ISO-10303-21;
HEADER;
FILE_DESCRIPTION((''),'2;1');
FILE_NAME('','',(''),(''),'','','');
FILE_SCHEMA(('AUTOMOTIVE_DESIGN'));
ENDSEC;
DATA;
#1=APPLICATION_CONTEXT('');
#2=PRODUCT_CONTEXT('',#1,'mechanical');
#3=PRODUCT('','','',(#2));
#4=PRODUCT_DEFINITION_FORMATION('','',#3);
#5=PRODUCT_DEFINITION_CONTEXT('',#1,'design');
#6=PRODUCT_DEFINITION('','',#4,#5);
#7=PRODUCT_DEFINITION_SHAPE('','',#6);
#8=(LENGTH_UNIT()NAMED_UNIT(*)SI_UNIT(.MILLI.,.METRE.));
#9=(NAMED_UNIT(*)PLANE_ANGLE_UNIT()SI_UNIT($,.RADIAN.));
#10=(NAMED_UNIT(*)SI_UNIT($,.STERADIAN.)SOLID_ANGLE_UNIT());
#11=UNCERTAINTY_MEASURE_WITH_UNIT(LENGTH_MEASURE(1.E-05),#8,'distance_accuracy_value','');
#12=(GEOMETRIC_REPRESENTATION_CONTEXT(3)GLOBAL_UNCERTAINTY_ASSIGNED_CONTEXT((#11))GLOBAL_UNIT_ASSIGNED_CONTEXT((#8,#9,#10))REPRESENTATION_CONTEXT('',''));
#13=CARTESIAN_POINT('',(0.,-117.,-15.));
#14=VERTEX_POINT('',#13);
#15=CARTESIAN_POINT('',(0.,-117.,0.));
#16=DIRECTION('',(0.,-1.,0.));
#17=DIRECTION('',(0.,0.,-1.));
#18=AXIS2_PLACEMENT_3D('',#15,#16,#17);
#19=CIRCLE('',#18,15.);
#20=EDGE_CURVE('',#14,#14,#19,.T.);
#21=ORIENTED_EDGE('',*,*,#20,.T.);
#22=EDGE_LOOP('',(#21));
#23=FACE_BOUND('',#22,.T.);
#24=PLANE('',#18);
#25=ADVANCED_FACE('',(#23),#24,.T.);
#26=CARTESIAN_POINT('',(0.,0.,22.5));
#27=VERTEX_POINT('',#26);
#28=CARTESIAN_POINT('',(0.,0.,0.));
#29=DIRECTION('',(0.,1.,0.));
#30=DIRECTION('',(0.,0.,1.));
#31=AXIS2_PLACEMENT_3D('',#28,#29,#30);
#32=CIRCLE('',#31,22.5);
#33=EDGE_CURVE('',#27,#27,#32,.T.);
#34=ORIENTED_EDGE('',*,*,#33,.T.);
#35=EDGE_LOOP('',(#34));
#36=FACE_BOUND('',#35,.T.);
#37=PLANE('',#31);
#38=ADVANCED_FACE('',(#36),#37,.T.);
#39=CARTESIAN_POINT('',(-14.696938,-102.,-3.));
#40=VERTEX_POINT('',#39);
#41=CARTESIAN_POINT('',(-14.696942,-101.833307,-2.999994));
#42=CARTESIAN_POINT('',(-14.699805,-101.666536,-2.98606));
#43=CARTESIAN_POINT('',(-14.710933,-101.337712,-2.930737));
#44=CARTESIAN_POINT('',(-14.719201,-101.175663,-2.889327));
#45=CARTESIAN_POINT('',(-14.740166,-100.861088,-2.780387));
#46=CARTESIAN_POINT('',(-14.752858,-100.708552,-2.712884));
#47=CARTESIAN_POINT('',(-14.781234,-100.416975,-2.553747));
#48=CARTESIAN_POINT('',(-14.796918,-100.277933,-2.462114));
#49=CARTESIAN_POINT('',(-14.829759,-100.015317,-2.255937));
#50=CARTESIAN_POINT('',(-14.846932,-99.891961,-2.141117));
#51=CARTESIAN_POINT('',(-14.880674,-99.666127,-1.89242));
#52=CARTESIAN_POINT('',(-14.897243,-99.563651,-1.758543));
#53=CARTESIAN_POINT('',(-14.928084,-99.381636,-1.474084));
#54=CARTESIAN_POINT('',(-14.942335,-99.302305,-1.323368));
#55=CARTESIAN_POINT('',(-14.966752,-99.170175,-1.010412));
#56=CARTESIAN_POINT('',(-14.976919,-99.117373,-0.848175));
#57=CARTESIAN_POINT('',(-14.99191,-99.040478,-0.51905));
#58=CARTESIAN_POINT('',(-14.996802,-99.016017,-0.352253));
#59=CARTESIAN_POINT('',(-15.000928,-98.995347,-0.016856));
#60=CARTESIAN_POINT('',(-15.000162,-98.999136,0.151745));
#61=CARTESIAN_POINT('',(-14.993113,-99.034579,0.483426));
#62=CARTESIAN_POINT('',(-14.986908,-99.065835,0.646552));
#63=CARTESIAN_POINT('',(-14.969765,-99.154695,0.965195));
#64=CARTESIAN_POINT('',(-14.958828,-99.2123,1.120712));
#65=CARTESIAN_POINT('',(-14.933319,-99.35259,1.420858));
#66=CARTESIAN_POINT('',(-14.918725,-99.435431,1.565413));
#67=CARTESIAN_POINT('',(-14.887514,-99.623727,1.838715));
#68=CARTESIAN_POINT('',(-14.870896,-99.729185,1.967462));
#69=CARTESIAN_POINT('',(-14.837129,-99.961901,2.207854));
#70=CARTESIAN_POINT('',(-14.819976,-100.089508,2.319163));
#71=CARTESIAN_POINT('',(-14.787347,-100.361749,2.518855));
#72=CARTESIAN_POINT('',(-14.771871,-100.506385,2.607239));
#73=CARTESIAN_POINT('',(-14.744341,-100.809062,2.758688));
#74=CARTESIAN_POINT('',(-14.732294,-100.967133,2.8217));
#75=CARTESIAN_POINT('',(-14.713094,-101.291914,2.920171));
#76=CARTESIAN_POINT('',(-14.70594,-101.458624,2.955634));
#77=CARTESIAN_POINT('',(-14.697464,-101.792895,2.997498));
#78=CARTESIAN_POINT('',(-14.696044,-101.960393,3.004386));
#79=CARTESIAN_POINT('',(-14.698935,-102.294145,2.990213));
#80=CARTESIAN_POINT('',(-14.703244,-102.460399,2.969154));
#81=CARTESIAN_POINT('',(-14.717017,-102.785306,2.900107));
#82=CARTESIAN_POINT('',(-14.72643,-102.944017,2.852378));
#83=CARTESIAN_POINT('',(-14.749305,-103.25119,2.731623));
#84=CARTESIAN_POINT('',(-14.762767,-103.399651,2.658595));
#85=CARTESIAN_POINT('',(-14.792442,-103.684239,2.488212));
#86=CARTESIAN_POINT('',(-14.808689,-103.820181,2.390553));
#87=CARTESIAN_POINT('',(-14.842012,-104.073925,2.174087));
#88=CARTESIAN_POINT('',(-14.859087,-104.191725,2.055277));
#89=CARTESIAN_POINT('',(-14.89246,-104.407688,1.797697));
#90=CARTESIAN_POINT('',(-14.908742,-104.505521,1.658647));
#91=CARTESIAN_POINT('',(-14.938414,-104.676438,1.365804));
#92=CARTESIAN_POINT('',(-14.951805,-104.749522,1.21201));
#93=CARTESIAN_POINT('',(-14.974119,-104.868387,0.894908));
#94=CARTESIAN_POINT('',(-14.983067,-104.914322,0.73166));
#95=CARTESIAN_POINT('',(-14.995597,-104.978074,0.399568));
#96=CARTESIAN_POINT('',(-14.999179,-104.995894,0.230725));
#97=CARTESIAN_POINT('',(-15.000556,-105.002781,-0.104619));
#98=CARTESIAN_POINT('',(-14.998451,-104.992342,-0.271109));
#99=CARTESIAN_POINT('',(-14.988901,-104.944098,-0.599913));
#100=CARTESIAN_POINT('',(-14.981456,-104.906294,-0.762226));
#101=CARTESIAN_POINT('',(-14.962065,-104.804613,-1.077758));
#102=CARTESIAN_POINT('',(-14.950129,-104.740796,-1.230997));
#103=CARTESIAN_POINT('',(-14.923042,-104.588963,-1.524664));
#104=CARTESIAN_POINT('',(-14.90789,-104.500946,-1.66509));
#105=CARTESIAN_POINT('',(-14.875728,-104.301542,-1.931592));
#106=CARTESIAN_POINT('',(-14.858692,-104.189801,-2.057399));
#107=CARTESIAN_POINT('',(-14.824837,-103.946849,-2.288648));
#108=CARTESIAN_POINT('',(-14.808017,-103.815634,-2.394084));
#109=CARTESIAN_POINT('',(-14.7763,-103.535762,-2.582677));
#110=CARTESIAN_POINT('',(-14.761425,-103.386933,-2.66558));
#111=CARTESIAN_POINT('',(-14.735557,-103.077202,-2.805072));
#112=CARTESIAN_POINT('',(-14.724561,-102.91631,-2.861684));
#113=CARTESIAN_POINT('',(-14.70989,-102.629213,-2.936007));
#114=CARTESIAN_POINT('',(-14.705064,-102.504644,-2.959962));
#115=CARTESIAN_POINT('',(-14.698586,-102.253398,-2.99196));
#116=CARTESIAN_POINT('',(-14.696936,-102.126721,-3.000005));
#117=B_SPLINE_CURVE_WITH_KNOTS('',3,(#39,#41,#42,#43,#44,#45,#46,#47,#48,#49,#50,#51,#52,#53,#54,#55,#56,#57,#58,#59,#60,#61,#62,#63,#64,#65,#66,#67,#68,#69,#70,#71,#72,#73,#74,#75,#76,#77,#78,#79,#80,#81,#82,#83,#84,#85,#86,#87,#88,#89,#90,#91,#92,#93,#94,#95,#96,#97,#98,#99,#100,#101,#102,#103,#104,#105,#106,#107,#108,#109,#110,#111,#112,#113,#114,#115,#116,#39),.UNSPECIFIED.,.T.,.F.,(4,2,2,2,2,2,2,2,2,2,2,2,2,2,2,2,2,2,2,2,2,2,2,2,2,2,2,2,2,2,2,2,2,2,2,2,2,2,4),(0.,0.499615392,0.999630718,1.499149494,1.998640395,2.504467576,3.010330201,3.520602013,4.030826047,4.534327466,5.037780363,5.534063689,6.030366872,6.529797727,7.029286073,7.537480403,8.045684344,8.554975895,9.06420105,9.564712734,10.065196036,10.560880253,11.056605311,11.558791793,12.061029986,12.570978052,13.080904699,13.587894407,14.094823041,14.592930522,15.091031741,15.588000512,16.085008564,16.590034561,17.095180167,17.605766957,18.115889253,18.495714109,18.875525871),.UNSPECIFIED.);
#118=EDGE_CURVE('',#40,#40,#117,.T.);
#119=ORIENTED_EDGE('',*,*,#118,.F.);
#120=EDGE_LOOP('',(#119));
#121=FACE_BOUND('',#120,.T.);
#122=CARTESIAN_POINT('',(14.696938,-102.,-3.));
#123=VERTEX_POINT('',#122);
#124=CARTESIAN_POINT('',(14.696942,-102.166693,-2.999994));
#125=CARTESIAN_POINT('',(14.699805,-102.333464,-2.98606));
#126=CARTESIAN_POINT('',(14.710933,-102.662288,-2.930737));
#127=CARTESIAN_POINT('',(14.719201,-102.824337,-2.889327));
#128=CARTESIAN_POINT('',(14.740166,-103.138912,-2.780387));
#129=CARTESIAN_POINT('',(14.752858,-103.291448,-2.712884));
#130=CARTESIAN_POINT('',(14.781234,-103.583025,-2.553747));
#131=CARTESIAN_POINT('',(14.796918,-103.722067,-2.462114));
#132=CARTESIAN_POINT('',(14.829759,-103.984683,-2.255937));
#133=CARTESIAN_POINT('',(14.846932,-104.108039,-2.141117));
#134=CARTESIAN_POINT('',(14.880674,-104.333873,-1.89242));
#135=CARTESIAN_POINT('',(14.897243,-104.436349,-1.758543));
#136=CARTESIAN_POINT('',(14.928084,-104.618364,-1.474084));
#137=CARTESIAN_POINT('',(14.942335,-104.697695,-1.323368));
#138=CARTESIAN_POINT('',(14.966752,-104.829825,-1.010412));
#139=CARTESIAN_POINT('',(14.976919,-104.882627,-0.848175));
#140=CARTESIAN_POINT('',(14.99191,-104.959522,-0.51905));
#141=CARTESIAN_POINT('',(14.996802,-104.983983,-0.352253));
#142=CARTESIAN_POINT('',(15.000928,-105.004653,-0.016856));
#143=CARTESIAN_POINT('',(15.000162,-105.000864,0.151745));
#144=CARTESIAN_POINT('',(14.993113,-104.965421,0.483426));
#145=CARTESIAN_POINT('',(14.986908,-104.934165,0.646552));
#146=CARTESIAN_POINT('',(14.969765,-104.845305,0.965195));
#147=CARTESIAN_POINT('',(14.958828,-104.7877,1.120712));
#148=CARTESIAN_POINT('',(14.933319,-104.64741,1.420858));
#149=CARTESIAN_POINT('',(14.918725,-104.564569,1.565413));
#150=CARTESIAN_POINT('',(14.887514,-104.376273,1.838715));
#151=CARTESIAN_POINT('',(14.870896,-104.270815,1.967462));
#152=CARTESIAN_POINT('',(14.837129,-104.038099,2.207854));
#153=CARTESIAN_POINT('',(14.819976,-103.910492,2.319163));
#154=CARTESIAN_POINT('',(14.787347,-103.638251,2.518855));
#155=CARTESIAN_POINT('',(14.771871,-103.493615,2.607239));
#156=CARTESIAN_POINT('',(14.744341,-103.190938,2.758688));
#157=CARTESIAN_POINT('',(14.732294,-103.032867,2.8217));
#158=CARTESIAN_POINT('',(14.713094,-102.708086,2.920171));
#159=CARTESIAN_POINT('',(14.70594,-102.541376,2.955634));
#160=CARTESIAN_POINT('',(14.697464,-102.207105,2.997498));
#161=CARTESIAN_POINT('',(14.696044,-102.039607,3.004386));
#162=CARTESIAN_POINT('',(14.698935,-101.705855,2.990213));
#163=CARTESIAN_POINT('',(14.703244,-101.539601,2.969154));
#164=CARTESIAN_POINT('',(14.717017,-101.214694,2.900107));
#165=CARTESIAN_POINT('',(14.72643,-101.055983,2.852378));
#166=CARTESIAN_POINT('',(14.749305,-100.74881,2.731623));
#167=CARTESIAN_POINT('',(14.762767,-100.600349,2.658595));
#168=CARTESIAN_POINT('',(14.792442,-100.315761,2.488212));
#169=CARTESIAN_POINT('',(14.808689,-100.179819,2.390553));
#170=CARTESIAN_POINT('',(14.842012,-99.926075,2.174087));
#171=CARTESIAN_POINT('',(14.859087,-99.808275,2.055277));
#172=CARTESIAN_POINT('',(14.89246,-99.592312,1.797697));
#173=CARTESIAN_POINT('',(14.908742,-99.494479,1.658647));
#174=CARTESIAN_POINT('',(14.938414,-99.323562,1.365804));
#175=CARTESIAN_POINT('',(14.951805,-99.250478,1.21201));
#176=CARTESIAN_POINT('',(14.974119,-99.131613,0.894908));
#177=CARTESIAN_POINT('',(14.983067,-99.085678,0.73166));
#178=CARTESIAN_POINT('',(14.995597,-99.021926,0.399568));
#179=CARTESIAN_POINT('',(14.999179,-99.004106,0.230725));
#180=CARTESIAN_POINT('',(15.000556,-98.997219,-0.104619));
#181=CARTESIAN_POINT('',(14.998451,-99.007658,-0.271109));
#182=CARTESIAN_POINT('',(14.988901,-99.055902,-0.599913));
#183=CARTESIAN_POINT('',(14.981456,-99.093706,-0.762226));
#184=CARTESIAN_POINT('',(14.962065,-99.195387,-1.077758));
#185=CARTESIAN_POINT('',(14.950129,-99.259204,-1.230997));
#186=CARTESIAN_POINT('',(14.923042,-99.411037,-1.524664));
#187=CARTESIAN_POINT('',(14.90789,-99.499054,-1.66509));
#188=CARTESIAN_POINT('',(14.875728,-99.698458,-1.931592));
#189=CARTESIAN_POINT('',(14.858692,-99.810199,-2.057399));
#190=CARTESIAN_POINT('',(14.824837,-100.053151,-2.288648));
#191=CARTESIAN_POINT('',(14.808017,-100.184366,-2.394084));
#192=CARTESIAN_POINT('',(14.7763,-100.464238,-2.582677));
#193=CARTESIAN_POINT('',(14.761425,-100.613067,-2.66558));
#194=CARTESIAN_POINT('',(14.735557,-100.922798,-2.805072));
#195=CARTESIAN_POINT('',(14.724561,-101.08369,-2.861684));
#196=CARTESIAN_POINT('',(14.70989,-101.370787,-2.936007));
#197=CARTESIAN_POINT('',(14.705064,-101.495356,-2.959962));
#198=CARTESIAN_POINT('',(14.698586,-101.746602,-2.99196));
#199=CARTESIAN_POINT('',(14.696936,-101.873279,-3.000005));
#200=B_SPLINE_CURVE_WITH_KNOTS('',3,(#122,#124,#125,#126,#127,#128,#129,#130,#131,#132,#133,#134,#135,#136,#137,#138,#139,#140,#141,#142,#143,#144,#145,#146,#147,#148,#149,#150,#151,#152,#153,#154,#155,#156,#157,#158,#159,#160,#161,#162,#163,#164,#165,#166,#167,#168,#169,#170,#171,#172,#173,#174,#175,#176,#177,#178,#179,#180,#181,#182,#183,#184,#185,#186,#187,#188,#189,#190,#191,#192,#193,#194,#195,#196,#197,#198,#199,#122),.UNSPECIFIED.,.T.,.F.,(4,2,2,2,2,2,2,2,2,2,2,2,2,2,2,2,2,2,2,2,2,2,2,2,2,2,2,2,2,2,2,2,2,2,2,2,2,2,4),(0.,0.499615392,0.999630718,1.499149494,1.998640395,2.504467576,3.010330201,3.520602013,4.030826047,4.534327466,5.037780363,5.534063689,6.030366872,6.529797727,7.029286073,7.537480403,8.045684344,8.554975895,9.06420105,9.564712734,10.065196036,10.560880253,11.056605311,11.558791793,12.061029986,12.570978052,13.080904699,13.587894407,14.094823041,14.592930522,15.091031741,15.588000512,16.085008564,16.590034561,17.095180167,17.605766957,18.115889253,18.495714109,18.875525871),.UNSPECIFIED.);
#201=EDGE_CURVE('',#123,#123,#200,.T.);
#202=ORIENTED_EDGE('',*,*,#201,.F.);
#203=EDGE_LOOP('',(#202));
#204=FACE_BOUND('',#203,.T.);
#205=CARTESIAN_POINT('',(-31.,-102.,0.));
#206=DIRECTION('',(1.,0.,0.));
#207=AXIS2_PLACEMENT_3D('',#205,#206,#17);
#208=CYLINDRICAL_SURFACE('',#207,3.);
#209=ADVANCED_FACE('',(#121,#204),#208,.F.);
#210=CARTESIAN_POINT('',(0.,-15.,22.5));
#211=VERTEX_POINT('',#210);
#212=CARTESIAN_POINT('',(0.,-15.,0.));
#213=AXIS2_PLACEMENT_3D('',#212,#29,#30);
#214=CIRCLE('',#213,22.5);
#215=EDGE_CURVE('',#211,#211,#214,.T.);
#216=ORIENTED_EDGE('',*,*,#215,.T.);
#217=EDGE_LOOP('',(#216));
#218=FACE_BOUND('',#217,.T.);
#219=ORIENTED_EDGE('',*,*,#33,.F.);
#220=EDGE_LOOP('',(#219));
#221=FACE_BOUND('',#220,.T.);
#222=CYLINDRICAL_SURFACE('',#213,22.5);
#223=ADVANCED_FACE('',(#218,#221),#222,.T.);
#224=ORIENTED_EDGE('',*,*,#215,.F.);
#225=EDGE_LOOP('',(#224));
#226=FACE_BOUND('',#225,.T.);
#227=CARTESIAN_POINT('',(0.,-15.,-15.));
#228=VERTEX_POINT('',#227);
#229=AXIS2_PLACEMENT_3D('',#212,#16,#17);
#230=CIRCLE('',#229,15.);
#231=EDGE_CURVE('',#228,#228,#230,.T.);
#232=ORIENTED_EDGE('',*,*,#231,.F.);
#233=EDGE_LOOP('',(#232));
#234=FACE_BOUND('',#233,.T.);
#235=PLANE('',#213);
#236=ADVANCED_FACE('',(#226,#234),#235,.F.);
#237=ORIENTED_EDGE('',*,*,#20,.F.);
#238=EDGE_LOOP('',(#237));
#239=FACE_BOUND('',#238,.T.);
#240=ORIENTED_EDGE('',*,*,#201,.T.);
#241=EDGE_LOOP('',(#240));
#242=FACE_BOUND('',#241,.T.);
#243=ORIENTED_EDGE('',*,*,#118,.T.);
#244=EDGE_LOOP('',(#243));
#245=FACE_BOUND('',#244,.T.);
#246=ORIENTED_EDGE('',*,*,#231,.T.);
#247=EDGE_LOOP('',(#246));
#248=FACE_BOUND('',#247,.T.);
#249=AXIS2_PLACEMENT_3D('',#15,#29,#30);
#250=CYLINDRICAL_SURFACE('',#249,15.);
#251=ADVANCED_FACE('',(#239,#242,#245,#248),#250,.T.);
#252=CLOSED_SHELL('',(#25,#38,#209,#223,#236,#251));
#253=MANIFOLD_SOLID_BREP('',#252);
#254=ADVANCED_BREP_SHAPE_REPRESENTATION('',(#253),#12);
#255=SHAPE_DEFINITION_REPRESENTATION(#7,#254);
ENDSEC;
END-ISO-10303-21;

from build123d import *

# Parameters (mm, degrees)
SKETCH1_R               = 22.5
BOSS_EXTRUDE1_DEPTH     = 15
SKETCH2_R               = 15
BOSS_EXTRUDE2_DEPTH     = 102
SKETCH3_R               = 3
CUT_EXTRUDE1_DEPTH      = 23.5
CUT_EXTRUDE1_DEPTH_BACK = 31


with BuildPart() as part:
    # Sketch1 → Boss-Extrude1 (new body)
    with BuildSketch(Plane(origin=(0, 0, 0), x_dir=(1, 0, 0), z_dir=(0, 1, 0))):
        Circle(SKETCH1_R)
    extrude(amount=-BOSS_EXTRUDE1_DEPTH)

    # Sketch2 → Boss-Extrude2 (add)
    with BuildSketch(Plane.XZ.offset(15)):
        Circle(SKETCH2_R)
    extrude(amount=BOSS_EXTRUDE2_DEPTH)

    # Sketch3 → Cut-Extrude1 (cut, two sides)
    with BuildSketch(Plane(origin=(0, 0, 0), x_dir=(0, 0, -1), z_dir=(1, 0, 0))) as cut_extrude1_sk:
        with Locations((0, -102)):
            Circle(SKETCH3_R)
    extrude(amount=CUT_EXTRUDE1_DEPTH, mode=Mode.SUBTRACT)
    extrude(cut_extrude1_sk.sketch, amount=-CUT_EXTRUDE1_DEPTH_BACK, mode=Mode.SUBTRACT)


solid = part.part
